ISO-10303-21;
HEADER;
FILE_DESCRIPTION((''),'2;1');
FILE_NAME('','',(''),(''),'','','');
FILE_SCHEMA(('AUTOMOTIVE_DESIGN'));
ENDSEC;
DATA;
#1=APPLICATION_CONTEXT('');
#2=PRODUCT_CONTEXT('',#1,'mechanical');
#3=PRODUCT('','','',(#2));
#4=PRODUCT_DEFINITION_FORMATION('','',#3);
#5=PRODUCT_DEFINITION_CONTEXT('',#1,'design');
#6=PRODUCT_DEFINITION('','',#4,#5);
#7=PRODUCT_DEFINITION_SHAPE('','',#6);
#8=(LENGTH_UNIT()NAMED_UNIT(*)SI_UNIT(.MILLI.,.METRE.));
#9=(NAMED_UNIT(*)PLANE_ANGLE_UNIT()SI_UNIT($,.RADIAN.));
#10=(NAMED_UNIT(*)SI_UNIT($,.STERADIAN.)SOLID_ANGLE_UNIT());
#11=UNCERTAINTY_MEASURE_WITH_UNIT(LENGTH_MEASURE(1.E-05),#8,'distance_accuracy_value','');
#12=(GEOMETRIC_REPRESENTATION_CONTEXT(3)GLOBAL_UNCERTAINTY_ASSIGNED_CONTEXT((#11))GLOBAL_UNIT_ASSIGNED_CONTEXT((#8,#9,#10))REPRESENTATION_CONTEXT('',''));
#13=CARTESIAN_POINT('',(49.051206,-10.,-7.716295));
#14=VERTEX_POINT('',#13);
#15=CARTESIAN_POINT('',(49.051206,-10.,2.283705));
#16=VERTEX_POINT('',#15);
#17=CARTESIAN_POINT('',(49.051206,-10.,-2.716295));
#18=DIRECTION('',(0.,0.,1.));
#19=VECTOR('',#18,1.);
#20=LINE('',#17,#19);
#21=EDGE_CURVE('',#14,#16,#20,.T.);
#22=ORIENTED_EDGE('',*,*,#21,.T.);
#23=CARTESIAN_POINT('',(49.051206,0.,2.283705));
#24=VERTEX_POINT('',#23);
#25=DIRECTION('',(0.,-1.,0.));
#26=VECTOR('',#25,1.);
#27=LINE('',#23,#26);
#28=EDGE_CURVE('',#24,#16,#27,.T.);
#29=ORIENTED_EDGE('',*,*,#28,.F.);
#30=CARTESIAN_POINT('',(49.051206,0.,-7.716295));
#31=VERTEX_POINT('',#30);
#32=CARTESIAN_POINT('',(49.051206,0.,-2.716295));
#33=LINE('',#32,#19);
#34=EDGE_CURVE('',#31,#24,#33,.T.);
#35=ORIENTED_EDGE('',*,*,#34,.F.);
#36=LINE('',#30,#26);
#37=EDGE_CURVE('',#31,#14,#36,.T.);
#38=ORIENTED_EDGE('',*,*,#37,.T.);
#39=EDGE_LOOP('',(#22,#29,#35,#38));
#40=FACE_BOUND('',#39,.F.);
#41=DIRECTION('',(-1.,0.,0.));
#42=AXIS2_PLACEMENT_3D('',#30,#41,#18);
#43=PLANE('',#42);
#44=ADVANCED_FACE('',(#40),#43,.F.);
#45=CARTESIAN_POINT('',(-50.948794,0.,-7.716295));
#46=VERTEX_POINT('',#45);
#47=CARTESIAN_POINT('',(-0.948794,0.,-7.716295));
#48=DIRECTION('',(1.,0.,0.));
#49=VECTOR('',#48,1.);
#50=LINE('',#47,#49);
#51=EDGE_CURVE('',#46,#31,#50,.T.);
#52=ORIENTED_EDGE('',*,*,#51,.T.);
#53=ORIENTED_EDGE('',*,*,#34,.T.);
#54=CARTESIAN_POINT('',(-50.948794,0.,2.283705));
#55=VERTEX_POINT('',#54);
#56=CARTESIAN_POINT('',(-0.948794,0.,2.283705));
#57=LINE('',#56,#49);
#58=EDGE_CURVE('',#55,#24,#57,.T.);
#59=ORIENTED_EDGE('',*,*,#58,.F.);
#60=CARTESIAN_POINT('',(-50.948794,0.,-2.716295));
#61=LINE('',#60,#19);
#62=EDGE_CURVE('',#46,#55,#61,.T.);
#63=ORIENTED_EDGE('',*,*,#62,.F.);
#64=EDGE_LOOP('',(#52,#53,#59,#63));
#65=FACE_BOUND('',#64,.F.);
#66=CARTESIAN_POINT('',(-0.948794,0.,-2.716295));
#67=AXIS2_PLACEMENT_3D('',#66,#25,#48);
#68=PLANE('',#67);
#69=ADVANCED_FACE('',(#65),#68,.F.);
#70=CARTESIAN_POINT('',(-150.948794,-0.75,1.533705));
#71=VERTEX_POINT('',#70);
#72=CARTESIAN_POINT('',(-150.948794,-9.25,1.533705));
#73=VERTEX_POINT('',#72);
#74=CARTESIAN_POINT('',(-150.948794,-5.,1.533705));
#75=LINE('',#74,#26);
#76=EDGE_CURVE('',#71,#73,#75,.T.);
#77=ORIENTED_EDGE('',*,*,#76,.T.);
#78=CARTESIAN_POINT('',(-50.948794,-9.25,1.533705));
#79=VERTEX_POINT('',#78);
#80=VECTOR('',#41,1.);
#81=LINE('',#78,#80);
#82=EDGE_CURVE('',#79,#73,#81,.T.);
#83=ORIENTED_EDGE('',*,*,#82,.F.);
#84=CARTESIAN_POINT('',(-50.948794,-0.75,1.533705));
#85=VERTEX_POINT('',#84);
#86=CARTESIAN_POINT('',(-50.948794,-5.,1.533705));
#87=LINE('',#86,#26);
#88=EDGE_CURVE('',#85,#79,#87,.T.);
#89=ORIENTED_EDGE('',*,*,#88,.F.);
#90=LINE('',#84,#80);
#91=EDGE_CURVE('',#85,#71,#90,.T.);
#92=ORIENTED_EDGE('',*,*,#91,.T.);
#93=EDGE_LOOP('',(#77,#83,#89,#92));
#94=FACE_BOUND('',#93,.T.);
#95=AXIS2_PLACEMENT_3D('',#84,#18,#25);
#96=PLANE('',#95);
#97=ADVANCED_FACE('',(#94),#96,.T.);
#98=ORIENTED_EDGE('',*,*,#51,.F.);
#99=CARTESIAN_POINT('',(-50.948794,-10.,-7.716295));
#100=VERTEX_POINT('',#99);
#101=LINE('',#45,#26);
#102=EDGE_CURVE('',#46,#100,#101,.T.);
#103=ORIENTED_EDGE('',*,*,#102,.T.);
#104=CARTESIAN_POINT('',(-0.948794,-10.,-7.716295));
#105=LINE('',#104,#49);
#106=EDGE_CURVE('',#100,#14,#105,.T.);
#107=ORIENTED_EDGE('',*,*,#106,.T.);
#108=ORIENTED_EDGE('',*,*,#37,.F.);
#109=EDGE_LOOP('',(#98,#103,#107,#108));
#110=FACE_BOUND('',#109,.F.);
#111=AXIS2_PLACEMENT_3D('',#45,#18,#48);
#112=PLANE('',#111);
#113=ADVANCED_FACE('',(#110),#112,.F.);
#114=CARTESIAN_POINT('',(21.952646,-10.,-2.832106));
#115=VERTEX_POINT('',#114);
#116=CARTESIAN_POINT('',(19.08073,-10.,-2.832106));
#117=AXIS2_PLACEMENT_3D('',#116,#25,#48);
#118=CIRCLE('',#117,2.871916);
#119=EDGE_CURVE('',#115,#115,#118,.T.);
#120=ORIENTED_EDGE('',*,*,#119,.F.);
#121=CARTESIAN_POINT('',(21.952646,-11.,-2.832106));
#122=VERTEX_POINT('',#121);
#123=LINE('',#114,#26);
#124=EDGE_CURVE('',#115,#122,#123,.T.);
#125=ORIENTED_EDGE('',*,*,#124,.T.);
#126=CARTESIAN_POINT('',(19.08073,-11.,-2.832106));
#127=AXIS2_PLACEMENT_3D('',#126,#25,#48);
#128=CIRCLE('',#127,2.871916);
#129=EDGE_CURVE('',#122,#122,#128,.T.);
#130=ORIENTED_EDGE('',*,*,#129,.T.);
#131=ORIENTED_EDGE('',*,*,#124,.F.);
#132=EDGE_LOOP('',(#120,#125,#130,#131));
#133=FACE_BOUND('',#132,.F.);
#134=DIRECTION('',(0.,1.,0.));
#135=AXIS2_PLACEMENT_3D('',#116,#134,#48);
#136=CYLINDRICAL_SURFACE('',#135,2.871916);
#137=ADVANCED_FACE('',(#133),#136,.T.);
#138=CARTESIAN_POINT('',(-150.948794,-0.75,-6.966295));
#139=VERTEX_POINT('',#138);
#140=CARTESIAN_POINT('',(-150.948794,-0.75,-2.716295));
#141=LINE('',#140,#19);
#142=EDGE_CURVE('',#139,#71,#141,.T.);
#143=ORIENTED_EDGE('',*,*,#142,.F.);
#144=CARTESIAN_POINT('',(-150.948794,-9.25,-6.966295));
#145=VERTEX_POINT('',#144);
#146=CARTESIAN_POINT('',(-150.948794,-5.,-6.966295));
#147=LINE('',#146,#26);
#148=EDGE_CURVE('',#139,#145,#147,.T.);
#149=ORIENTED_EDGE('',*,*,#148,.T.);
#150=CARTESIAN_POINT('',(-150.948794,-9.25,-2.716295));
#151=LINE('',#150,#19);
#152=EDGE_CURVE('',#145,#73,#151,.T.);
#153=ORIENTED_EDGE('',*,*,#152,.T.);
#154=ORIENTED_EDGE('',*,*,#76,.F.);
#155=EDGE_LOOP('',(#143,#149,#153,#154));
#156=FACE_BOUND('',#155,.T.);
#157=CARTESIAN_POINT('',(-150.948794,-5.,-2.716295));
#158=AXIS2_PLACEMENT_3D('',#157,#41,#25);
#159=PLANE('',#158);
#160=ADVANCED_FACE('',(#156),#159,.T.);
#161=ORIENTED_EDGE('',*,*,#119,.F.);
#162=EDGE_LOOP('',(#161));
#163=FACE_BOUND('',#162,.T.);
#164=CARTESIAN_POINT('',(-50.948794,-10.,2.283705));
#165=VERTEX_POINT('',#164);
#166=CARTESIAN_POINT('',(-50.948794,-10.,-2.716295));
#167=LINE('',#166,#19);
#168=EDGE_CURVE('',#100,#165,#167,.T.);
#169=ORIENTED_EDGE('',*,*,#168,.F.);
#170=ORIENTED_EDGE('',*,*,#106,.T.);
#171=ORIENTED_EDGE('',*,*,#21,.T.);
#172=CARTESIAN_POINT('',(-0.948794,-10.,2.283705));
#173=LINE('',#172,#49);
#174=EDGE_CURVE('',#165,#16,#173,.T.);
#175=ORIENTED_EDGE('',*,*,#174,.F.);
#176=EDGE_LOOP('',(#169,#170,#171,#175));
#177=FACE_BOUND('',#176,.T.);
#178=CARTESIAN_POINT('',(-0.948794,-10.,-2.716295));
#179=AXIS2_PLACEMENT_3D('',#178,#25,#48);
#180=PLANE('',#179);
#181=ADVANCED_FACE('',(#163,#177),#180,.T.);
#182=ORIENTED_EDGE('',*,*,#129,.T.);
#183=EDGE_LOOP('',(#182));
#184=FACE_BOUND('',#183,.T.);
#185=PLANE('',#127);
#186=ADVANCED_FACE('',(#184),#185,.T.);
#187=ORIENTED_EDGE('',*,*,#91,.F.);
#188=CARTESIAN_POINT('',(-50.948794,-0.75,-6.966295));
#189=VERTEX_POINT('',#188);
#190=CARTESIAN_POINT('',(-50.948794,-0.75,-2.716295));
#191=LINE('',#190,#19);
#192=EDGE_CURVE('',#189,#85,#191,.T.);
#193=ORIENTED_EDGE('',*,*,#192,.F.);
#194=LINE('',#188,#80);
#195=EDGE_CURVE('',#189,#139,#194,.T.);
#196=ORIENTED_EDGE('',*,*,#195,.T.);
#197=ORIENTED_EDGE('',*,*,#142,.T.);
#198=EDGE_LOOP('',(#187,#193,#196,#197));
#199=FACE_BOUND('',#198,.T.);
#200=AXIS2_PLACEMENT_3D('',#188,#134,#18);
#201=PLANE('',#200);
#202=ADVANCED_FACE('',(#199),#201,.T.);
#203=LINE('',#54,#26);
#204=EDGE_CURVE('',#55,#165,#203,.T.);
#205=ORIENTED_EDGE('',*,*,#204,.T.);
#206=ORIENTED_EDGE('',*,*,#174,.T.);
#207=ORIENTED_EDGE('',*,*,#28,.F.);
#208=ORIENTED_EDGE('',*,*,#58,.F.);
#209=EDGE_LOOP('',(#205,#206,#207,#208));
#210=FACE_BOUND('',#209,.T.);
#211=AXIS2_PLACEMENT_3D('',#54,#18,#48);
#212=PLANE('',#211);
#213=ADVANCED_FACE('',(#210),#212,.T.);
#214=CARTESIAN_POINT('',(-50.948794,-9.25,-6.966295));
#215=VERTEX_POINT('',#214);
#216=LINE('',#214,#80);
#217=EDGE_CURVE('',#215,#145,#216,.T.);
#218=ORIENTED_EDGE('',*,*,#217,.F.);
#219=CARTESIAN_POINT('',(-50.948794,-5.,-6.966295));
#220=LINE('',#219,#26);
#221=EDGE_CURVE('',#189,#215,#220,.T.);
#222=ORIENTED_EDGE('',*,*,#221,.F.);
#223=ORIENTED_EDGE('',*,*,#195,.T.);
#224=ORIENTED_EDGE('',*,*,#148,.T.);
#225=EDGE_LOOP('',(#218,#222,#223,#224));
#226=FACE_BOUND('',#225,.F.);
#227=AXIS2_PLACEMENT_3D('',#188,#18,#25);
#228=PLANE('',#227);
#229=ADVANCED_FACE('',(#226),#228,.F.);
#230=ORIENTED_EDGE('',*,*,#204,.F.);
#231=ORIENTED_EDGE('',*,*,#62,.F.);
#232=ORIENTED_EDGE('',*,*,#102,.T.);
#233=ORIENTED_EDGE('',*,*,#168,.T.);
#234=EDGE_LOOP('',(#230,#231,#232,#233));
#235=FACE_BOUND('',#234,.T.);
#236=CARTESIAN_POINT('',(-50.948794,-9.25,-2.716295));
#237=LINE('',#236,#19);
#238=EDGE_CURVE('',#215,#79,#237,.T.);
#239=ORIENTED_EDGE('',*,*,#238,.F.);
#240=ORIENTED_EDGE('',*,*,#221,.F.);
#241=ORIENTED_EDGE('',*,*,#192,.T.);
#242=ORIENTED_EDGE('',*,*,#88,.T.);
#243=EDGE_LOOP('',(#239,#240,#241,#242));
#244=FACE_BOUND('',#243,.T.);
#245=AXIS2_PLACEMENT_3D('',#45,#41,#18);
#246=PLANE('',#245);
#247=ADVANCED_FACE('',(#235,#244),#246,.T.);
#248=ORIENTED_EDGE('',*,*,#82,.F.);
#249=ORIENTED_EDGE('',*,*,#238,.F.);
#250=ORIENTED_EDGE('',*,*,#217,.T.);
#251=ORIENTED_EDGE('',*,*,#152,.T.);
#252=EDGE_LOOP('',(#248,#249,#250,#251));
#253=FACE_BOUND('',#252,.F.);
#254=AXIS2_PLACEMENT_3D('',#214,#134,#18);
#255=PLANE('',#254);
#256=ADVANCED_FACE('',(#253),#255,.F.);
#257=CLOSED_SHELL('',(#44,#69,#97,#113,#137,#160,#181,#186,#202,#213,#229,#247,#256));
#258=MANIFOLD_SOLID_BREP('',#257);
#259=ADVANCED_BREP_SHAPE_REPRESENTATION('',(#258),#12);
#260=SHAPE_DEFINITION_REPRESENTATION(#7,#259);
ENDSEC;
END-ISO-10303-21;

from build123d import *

# Parameters (mm, degrees)
F0_W     = 100
F0_H     = 10
F1_DEPTH = 10
F2_W     = 8.5
F2_H     = 8.5
F3_DEPTH = 100
F4_R     = 2.871916
F5_DEPTH = 1


with BuildPart() as f1:
    # F0 (on Front) → F1 (new body)
    with BuildSketch(Plane.XZ):
        with Locations((-0.948794, -2.716295)):
            Rectangle(F0_W, F0_H)
    extrude(amount=F1_DEPTH)

    # F2 (on face) → F3 (join)
    with BuildSketch(Plane(origin=(-50.948794, 0, 0), x_dir=(0, -1, 0), z_dir=(-1, 0, 0))):
        with Locations((5, -2.716295)):
            Rectangle(F2_W, F2_H)
    extrude(amount=F3_DEPTH)

    # F4 (on face) → F5 (join)
    with BuildSketch(Plane.XZ.offset(10)):
        with Locations((19.08073, -2.832106)):
            Circle(F4_R)
    extrude(amount=F5_DEPTH)


solid = f1.part
